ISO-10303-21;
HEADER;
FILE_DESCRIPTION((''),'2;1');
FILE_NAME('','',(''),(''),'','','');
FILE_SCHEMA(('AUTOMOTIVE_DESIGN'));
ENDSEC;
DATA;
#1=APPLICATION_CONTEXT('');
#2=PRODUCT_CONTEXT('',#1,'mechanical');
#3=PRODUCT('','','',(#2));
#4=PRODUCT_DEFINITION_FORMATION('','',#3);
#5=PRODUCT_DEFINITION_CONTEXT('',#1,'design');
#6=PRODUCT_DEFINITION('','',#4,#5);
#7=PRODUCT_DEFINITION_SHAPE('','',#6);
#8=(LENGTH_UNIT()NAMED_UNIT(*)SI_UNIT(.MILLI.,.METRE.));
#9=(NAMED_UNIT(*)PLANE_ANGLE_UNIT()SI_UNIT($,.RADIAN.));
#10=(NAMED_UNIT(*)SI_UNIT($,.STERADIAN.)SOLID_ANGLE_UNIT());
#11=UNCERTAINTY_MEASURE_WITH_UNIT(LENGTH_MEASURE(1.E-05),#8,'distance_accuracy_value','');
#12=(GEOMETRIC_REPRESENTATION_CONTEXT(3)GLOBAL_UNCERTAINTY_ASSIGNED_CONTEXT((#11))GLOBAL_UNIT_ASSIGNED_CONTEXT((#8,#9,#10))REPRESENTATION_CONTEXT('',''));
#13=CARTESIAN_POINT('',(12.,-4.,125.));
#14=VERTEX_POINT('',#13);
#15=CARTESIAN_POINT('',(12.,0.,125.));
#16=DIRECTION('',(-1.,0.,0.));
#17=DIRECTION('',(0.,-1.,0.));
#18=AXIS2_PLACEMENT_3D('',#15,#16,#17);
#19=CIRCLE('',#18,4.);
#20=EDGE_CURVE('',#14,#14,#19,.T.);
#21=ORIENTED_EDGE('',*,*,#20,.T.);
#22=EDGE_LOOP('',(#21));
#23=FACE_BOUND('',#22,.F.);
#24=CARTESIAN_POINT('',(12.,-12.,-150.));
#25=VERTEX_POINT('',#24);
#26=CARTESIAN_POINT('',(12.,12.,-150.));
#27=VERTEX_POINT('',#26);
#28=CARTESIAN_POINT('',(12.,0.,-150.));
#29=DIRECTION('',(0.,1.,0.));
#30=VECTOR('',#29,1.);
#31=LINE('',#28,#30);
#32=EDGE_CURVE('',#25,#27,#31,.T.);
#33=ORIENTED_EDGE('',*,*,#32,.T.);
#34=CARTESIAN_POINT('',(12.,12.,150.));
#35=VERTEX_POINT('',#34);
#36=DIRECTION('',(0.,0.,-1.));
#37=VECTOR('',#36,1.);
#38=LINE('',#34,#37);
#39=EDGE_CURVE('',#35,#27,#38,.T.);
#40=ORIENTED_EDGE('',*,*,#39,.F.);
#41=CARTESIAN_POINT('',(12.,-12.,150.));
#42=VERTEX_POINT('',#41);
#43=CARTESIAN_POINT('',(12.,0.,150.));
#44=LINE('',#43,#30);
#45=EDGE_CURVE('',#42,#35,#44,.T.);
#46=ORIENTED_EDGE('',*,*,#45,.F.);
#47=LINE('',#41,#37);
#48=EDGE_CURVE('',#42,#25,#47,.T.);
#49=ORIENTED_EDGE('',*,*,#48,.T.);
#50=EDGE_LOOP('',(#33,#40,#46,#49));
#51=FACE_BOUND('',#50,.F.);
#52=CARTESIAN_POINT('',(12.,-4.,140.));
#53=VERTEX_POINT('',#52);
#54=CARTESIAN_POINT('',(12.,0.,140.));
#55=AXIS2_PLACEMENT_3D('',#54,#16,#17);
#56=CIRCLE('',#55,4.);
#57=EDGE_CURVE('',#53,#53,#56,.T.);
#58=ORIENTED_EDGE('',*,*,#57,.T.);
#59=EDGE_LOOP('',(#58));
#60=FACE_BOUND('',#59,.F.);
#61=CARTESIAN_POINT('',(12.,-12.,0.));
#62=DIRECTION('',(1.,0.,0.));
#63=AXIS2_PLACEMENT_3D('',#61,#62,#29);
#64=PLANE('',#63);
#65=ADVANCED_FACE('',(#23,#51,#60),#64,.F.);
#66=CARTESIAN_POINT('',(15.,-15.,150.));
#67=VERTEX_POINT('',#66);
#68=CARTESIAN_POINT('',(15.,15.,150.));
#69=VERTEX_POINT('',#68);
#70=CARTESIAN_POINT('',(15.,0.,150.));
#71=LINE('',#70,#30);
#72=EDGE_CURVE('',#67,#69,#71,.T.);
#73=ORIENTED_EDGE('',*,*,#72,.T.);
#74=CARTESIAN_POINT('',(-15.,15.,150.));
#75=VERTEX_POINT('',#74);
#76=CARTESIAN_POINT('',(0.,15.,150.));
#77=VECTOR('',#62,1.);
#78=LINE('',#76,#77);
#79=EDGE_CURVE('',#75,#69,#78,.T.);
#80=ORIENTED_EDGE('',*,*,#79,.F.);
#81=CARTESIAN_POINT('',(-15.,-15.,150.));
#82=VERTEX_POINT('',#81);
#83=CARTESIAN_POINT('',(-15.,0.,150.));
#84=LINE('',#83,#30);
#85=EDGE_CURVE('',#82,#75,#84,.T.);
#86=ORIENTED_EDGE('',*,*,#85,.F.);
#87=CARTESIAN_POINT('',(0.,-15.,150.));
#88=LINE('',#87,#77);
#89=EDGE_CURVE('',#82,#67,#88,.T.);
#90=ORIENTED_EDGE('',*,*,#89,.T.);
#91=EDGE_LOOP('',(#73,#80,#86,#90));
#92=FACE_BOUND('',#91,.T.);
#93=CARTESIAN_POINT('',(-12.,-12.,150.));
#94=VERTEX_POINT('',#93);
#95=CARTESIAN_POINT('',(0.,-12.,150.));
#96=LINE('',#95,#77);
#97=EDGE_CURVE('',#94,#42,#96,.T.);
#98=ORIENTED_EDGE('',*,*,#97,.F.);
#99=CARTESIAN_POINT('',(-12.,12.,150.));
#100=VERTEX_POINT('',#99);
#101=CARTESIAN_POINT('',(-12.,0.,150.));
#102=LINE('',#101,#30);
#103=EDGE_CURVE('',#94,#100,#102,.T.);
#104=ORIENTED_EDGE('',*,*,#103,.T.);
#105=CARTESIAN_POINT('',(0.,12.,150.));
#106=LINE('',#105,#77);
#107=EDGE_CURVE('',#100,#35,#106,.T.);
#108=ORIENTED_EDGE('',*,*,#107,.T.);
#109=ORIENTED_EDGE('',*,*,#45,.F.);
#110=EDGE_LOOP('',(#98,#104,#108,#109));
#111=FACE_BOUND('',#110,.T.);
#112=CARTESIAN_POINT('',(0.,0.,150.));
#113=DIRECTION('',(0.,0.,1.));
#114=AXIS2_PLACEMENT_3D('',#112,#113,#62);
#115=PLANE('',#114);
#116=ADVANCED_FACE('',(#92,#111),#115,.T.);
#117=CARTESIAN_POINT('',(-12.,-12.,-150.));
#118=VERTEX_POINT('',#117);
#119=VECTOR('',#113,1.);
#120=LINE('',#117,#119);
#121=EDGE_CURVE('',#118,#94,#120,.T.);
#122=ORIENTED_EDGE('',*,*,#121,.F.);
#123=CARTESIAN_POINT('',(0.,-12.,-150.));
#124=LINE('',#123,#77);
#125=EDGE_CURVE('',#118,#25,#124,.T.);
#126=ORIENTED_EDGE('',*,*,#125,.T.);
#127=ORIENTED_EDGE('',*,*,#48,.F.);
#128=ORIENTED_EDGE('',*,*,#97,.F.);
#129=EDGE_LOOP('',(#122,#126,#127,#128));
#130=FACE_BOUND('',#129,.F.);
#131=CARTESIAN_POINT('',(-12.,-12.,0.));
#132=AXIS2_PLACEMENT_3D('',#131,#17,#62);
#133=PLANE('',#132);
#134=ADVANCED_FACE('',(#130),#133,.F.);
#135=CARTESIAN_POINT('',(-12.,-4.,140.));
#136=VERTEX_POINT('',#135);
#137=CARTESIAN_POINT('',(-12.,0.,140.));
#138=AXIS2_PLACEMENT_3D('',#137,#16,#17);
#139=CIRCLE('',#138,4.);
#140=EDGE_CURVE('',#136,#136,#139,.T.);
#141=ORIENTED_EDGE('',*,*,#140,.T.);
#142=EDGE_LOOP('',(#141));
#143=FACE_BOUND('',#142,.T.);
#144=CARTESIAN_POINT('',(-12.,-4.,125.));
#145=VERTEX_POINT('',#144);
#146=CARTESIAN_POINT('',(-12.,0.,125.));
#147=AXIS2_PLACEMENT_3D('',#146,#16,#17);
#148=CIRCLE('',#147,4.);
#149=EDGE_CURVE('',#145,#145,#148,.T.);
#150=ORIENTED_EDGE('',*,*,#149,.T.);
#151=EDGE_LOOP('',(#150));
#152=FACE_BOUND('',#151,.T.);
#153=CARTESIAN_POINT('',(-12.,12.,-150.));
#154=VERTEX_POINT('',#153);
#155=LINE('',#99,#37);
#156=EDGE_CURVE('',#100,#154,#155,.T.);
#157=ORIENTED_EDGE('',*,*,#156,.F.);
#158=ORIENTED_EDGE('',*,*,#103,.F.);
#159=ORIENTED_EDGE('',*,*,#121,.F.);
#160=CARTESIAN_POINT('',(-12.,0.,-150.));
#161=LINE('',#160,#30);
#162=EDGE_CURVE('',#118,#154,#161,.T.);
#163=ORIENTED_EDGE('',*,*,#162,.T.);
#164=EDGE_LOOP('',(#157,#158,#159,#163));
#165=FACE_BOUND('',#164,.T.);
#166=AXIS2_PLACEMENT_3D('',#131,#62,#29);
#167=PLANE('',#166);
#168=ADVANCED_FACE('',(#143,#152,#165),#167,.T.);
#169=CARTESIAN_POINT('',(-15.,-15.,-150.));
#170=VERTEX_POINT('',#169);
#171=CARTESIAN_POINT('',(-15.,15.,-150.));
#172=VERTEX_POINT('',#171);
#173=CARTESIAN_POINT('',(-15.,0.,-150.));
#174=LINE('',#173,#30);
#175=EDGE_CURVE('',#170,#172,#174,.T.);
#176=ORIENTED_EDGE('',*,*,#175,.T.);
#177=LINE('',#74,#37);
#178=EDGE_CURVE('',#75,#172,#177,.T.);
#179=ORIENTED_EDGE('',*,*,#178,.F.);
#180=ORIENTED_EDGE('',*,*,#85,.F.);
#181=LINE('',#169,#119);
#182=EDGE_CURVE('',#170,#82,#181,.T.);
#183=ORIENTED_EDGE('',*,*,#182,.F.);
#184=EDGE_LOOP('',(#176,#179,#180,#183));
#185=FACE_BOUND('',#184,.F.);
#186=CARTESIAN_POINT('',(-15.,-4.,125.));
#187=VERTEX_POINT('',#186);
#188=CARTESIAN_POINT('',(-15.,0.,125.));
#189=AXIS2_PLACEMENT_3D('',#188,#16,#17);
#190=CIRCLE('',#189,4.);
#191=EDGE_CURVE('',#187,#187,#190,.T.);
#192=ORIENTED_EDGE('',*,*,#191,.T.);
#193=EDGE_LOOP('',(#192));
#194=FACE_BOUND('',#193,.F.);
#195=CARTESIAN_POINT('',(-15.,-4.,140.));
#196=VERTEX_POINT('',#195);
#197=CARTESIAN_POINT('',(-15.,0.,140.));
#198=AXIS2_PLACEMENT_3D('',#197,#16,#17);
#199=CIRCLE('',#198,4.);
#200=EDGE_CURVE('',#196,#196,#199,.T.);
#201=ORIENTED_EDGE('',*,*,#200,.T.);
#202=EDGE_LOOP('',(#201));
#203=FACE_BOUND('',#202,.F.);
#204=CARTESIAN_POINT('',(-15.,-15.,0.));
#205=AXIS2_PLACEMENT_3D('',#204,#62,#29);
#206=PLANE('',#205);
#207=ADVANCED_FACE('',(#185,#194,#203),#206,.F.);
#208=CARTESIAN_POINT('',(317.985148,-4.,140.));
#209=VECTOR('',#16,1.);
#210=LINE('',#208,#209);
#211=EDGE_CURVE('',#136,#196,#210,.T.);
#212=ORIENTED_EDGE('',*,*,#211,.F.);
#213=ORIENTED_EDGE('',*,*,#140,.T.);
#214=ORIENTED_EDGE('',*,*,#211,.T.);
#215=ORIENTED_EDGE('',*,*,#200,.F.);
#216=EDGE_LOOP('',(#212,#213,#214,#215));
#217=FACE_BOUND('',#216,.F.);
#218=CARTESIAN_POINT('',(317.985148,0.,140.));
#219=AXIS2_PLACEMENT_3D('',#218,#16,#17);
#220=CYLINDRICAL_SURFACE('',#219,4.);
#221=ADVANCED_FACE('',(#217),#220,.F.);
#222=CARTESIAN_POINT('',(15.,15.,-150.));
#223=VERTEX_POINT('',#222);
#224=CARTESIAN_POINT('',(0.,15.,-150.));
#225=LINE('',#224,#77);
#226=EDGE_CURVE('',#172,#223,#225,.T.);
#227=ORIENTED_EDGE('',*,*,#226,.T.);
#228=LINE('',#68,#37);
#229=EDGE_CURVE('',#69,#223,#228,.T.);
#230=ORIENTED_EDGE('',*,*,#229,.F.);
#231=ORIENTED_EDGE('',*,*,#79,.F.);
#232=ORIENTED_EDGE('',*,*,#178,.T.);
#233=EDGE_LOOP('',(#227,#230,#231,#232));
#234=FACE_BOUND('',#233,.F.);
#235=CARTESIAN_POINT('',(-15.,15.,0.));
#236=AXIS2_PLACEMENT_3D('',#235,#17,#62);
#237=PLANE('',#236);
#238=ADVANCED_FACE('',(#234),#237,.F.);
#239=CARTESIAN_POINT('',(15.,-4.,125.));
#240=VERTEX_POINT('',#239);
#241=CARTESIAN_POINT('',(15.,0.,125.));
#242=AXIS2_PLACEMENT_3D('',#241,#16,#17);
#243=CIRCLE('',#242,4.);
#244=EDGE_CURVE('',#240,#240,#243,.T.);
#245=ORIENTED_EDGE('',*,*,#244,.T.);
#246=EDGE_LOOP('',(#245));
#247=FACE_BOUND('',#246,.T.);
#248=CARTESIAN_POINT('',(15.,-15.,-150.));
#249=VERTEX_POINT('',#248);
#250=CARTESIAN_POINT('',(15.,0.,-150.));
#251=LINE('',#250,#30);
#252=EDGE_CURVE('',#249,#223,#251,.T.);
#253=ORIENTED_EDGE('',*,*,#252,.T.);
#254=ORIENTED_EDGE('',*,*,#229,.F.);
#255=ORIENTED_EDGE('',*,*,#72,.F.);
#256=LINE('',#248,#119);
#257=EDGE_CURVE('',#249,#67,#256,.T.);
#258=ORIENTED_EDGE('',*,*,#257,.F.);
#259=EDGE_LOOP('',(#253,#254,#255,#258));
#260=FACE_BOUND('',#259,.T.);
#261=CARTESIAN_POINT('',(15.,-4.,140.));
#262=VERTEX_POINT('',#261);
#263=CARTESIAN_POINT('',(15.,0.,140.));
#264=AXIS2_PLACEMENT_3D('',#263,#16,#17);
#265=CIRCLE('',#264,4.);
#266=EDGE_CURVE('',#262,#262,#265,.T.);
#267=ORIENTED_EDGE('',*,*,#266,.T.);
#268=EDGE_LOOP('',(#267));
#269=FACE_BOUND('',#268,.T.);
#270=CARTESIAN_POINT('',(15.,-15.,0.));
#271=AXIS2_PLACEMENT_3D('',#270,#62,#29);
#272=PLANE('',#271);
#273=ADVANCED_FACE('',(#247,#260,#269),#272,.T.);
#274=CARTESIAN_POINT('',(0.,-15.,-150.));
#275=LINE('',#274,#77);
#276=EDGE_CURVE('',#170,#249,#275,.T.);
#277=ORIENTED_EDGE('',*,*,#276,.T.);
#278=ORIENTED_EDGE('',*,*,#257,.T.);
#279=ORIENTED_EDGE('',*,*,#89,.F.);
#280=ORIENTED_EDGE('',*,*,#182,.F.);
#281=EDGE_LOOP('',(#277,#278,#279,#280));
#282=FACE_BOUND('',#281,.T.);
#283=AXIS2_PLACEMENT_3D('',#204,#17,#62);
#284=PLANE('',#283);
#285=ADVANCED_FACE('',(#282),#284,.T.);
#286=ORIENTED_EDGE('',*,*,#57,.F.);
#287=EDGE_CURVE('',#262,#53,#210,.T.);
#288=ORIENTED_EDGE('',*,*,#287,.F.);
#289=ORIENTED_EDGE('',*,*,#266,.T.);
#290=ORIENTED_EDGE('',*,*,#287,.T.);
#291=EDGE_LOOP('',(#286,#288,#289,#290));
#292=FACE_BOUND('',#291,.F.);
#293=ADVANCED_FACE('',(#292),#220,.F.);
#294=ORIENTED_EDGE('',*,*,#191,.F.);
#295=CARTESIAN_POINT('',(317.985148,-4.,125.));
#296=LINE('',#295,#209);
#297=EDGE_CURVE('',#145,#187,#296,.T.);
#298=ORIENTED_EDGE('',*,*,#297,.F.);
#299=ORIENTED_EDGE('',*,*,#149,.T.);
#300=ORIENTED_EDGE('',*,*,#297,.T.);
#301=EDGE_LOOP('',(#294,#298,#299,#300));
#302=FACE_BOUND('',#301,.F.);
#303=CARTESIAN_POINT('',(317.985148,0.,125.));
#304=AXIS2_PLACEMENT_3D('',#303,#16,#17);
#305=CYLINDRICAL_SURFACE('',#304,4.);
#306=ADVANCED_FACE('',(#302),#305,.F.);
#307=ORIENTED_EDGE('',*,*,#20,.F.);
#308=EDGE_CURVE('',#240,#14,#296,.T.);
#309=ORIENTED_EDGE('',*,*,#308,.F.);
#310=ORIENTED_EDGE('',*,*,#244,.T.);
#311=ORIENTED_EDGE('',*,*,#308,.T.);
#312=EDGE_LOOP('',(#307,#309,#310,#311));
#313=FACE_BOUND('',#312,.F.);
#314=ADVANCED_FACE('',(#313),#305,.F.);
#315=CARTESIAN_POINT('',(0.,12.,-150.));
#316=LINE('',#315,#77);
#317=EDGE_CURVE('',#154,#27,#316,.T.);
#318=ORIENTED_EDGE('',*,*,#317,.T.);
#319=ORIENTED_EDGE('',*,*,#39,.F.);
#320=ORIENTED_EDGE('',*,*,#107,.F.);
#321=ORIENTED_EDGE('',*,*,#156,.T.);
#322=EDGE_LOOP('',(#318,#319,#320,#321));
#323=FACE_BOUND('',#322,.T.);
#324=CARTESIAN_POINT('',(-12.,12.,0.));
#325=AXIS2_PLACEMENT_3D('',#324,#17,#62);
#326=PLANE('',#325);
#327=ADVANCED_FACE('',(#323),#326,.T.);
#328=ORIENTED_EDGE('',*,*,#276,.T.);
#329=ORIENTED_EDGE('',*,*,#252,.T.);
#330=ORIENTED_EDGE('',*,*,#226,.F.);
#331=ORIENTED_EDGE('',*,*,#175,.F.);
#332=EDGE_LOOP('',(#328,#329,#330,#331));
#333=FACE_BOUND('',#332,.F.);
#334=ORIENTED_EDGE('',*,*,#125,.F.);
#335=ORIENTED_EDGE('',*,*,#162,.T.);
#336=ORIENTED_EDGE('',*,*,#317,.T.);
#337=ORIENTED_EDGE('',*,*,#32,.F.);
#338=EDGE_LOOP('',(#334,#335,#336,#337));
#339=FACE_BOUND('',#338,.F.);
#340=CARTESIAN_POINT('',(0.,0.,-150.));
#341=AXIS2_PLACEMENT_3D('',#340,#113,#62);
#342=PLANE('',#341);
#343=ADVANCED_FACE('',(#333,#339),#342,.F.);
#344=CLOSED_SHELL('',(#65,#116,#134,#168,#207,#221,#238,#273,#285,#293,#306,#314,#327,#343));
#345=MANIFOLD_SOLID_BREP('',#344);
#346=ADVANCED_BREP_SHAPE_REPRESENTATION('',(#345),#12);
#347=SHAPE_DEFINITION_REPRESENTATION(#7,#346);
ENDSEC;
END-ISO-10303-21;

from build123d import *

# Parameters (mm, degrees)
F0_W     = 30
F0_H     = 30
F0_W_2   = 24
F0_H_2   = 24
F1_DEPTH = 150
F3_D     = 8


with BuildPart() as f1:
    # F0 (on Top) → F1 (new body, symmetric)
    with BuildSketch(Plane.XY):
        Rectangle(F0_W, F0_H)
        Rectangle(F0_W_2, F0_H_2, mode=Mode.SUBTRACT)
    extrude(amount=F1_DEPTH, both=True)

    # F3 (through all)
    with Locations(Plane.YZ.offset(15)):
        with Locations((0, 140), (0, 125)):
            Hole(F3_D / 2)


solid = f1.part
